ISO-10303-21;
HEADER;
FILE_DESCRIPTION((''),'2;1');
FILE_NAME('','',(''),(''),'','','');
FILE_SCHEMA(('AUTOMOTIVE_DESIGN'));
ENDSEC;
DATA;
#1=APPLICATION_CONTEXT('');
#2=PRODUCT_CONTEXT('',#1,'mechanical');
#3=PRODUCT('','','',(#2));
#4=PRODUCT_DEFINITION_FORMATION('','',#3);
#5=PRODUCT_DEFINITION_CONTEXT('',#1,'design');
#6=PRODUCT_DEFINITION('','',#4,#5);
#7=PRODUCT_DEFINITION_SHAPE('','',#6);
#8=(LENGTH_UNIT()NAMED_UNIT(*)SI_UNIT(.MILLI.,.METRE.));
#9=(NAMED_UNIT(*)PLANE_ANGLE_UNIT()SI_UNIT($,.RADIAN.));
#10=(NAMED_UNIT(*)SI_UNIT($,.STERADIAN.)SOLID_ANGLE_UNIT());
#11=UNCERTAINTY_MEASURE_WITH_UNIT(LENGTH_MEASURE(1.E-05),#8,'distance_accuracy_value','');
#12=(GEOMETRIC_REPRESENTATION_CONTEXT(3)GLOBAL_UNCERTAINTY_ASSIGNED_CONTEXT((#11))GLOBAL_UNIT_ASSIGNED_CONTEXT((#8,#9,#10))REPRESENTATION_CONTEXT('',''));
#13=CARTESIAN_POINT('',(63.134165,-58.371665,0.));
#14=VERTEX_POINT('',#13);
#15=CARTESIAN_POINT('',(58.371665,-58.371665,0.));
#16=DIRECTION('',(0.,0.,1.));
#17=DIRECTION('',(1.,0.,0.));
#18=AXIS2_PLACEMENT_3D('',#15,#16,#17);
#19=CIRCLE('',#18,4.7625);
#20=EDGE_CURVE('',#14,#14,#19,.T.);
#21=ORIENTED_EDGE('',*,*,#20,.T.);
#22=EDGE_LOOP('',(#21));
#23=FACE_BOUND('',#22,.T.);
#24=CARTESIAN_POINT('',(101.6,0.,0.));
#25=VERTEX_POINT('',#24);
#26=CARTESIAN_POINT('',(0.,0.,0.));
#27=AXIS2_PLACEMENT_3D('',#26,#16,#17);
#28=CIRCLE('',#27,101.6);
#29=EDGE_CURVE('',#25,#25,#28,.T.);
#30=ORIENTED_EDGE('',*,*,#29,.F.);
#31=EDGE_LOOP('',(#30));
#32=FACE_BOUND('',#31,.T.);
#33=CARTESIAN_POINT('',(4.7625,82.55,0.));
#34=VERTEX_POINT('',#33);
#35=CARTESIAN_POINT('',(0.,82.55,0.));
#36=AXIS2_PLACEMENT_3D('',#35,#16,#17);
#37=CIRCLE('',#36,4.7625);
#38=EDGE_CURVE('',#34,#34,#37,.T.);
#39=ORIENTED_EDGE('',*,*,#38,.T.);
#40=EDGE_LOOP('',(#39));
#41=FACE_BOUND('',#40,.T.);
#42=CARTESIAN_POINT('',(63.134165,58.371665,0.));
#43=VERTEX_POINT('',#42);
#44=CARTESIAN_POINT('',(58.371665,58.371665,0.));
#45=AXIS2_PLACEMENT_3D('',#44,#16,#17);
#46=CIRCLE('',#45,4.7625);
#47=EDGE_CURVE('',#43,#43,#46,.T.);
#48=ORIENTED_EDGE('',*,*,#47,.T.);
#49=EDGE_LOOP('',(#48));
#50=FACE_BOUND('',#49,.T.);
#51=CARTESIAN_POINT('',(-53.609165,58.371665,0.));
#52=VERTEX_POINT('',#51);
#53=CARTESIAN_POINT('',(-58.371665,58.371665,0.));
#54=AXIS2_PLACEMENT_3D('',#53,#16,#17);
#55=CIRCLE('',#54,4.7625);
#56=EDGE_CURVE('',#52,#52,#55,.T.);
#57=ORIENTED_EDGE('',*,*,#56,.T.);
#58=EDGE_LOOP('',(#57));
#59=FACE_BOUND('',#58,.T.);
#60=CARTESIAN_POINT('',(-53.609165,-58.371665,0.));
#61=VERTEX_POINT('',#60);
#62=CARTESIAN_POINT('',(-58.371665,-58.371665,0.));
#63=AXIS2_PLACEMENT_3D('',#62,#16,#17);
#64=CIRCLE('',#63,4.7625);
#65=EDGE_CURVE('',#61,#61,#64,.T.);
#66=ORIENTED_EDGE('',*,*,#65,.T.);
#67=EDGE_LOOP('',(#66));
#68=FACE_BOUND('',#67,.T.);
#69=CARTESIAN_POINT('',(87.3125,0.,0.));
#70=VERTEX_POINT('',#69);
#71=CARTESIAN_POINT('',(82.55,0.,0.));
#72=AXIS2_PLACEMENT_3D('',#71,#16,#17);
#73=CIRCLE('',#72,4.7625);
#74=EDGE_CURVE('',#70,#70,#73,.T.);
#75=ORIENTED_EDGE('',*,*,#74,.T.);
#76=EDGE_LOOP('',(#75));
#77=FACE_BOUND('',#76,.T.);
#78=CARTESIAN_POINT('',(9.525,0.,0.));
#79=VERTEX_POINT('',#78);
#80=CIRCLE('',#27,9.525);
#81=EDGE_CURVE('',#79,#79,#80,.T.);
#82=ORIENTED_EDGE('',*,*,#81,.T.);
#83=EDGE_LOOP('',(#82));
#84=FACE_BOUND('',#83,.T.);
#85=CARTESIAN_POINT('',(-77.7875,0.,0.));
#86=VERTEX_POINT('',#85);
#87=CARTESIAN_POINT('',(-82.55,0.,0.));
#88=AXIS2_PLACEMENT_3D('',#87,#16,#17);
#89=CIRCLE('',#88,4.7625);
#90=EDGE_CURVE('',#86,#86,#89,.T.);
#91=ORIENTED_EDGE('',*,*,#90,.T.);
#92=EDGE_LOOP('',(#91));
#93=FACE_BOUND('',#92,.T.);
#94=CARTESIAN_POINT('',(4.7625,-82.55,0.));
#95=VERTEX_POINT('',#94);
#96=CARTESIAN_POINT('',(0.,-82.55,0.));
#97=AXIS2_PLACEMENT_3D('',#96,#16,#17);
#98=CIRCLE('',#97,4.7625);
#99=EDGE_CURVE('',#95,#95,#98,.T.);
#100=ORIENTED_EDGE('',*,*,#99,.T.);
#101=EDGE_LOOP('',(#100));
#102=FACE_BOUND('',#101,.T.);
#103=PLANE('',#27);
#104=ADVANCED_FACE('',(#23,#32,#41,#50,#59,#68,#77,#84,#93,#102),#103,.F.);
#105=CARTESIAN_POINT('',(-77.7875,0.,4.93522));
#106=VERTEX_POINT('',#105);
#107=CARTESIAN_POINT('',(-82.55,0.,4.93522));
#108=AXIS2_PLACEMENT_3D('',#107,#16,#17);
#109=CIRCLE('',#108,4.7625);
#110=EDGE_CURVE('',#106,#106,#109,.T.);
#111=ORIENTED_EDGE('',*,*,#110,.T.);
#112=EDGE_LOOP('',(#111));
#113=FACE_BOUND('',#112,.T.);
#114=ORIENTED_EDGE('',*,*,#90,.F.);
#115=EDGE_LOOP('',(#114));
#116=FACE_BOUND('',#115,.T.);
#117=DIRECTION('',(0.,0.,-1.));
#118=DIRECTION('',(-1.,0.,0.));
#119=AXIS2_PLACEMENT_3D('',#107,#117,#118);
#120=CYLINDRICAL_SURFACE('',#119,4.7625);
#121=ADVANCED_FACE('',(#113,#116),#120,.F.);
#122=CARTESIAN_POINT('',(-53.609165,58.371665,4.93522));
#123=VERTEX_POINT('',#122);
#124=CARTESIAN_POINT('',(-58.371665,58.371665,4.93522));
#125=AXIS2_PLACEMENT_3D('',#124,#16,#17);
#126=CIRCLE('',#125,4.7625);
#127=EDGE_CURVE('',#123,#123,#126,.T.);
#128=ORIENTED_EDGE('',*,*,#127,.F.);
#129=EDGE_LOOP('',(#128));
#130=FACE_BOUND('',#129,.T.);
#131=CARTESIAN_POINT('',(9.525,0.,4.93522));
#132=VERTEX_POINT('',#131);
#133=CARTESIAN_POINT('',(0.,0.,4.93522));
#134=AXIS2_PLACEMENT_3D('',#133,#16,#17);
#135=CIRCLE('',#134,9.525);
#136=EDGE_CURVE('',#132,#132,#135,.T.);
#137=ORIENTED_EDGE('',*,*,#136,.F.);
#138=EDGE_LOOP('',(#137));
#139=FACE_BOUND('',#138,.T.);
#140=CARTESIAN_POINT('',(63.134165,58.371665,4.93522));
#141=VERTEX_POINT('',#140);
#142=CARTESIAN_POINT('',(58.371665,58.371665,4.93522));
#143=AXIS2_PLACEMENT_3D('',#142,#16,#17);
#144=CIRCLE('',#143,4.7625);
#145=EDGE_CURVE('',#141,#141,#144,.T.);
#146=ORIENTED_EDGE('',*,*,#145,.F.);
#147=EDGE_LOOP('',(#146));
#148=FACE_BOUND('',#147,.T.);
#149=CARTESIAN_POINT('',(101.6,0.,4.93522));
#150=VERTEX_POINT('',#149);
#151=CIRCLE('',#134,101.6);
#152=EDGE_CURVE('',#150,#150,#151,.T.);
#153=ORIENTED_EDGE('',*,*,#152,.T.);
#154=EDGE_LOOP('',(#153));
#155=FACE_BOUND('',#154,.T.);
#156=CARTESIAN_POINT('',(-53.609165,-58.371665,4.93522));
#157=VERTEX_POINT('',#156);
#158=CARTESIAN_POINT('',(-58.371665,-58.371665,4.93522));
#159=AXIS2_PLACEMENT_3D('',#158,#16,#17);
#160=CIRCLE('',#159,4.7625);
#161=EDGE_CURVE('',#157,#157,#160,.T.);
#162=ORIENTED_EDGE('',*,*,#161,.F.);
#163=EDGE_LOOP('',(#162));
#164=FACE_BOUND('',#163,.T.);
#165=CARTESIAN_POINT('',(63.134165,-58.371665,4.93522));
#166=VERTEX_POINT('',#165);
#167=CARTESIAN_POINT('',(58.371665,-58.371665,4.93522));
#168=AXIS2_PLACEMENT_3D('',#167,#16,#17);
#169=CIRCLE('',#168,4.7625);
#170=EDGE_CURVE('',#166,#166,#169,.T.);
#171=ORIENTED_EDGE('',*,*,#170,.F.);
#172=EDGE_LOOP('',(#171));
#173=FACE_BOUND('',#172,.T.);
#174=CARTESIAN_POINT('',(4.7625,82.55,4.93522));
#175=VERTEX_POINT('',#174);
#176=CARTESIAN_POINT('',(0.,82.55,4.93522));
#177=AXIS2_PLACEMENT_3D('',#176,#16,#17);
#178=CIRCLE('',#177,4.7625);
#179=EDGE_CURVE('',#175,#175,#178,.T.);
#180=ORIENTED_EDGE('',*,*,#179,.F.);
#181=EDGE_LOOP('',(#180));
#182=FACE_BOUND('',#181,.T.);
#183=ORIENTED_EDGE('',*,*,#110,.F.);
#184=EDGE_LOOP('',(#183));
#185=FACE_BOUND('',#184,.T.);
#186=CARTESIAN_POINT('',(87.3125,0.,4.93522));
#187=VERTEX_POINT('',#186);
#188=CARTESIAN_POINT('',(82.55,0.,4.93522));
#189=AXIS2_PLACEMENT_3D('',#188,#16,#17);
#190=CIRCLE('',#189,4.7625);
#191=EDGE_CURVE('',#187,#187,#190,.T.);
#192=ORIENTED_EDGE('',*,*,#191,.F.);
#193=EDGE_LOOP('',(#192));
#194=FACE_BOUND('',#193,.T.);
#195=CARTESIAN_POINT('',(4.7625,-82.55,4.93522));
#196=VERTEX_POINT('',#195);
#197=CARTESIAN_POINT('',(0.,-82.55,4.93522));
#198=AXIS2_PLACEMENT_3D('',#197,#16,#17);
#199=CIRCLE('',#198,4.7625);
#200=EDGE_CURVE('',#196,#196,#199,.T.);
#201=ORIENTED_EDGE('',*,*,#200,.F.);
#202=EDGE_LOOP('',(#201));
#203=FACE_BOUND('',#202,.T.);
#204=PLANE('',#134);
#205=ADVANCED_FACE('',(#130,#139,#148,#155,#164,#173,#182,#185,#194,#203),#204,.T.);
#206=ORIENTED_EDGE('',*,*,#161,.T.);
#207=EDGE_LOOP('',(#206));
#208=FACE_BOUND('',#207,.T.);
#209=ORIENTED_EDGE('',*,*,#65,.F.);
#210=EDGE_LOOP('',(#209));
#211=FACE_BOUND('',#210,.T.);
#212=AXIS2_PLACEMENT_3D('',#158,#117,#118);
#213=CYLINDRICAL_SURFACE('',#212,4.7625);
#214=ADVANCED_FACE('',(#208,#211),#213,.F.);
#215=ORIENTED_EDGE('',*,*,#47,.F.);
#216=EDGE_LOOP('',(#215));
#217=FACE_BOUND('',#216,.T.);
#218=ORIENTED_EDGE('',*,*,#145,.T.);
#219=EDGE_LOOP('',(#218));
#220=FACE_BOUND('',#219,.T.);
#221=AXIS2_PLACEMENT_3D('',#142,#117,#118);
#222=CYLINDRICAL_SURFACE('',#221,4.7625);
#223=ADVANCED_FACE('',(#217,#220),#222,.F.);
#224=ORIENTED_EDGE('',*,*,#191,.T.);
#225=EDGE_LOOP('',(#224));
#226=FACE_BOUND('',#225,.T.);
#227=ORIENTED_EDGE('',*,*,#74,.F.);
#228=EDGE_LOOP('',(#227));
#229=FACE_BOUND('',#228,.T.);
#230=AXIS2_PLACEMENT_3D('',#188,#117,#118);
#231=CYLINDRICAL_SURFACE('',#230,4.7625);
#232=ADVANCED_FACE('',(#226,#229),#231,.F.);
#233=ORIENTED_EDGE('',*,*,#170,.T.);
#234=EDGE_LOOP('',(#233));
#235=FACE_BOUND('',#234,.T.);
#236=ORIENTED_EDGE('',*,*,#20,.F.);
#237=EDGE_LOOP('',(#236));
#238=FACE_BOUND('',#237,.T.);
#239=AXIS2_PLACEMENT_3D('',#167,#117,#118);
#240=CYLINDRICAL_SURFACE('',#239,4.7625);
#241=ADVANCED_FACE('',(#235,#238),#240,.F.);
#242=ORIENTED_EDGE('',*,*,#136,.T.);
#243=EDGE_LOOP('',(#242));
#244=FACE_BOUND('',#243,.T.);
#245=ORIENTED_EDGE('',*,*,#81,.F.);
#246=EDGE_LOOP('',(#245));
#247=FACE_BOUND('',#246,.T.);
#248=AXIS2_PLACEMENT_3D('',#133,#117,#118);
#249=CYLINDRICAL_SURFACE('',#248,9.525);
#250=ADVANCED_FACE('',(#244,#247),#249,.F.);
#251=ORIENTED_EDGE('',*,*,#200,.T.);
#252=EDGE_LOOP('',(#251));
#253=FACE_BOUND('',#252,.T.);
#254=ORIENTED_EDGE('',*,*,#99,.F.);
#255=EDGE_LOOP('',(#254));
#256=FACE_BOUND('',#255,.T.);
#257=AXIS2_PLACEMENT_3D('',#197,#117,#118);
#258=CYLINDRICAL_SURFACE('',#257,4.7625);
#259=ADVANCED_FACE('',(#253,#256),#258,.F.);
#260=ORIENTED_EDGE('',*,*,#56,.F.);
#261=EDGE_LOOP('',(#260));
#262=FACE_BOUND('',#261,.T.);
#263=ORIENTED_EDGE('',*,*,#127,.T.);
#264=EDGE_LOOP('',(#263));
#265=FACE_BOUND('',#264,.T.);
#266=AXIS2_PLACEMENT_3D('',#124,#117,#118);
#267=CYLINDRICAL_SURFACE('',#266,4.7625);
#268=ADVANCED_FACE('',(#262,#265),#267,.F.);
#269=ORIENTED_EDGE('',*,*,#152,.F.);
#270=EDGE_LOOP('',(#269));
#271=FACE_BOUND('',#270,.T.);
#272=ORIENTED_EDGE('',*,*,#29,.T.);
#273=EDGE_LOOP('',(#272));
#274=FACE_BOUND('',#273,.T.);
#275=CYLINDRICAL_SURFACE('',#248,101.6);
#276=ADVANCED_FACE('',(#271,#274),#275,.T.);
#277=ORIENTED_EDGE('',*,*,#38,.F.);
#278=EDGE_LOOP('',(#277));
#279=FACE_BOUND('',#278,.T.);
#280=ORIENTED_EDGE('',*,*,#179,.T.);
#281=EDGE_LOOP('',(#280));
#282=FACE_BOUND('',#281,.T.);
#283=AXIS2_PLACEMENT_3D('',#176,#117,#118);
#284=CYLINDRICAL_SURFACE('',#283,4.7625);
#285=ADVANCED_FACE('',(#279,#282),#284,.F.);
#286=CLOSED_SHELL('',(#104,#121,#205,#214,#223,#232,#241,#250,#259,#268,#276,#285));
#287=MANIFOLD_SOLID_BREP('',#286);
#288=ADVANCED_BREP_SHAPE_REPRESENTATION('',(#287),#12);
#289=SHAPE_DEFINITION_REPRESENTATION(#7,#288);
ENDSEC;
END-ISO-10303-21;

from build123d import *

# Parameters (mm, degrees)
SKETCH1_R        = 101.6
SKETCH1_R_2      = 9.525
SKETCH1_R_3      = 4.7625
ROTOR_DISC_DEPTH = 4.93522


with BuildPart() as part:
    # Sketch1 → Rotor Disc (new body)
    with BuildSketch(Plane.XY):
        Circle(SKETCH1_R)
        Circle(SKETCH1_R_2, mode=Mode.SUBTRACT)
        with Locations((0, 82.55)):
            Circle(SKETCH1_R_3, mode=Mode.SUBTRACT)
        with Locations((58.371664787, 58.371664787)):
            Circle(SKETCH1_R_3, mode=Mode.SUBTRACT)
        with Locations((82.55, 0)):
            Circle(SKETCH1_R_3, mode=Mode.SUBTRACT)
        with Locations((58.371664787, -58.371664787)):
            Circle(SKETCH1_R_3, mode=Mode.SUBTRACT)
        with Locations((0, -82.55)):
            Circle(SKETCH1_R_3, mode=Mode.SUBTRACT)
        with Locations((-58.371664787, -58.371664787)):
            Circle(SKETCH1_R_3, mode=Mode.SUBTRACT)
        with Locations((-82.55, 0)):
            Circle(SKETCH1_R_3, mode=Mode.SUBTRACT)
        with Locations((-58.371664787, 58.371664787)):
            Circle(SKETCH1_R_3, mode=Mode.SUBTRACT)
    extrude(amount=ROTOR_DISC_DEPTH)


solid = part.part
